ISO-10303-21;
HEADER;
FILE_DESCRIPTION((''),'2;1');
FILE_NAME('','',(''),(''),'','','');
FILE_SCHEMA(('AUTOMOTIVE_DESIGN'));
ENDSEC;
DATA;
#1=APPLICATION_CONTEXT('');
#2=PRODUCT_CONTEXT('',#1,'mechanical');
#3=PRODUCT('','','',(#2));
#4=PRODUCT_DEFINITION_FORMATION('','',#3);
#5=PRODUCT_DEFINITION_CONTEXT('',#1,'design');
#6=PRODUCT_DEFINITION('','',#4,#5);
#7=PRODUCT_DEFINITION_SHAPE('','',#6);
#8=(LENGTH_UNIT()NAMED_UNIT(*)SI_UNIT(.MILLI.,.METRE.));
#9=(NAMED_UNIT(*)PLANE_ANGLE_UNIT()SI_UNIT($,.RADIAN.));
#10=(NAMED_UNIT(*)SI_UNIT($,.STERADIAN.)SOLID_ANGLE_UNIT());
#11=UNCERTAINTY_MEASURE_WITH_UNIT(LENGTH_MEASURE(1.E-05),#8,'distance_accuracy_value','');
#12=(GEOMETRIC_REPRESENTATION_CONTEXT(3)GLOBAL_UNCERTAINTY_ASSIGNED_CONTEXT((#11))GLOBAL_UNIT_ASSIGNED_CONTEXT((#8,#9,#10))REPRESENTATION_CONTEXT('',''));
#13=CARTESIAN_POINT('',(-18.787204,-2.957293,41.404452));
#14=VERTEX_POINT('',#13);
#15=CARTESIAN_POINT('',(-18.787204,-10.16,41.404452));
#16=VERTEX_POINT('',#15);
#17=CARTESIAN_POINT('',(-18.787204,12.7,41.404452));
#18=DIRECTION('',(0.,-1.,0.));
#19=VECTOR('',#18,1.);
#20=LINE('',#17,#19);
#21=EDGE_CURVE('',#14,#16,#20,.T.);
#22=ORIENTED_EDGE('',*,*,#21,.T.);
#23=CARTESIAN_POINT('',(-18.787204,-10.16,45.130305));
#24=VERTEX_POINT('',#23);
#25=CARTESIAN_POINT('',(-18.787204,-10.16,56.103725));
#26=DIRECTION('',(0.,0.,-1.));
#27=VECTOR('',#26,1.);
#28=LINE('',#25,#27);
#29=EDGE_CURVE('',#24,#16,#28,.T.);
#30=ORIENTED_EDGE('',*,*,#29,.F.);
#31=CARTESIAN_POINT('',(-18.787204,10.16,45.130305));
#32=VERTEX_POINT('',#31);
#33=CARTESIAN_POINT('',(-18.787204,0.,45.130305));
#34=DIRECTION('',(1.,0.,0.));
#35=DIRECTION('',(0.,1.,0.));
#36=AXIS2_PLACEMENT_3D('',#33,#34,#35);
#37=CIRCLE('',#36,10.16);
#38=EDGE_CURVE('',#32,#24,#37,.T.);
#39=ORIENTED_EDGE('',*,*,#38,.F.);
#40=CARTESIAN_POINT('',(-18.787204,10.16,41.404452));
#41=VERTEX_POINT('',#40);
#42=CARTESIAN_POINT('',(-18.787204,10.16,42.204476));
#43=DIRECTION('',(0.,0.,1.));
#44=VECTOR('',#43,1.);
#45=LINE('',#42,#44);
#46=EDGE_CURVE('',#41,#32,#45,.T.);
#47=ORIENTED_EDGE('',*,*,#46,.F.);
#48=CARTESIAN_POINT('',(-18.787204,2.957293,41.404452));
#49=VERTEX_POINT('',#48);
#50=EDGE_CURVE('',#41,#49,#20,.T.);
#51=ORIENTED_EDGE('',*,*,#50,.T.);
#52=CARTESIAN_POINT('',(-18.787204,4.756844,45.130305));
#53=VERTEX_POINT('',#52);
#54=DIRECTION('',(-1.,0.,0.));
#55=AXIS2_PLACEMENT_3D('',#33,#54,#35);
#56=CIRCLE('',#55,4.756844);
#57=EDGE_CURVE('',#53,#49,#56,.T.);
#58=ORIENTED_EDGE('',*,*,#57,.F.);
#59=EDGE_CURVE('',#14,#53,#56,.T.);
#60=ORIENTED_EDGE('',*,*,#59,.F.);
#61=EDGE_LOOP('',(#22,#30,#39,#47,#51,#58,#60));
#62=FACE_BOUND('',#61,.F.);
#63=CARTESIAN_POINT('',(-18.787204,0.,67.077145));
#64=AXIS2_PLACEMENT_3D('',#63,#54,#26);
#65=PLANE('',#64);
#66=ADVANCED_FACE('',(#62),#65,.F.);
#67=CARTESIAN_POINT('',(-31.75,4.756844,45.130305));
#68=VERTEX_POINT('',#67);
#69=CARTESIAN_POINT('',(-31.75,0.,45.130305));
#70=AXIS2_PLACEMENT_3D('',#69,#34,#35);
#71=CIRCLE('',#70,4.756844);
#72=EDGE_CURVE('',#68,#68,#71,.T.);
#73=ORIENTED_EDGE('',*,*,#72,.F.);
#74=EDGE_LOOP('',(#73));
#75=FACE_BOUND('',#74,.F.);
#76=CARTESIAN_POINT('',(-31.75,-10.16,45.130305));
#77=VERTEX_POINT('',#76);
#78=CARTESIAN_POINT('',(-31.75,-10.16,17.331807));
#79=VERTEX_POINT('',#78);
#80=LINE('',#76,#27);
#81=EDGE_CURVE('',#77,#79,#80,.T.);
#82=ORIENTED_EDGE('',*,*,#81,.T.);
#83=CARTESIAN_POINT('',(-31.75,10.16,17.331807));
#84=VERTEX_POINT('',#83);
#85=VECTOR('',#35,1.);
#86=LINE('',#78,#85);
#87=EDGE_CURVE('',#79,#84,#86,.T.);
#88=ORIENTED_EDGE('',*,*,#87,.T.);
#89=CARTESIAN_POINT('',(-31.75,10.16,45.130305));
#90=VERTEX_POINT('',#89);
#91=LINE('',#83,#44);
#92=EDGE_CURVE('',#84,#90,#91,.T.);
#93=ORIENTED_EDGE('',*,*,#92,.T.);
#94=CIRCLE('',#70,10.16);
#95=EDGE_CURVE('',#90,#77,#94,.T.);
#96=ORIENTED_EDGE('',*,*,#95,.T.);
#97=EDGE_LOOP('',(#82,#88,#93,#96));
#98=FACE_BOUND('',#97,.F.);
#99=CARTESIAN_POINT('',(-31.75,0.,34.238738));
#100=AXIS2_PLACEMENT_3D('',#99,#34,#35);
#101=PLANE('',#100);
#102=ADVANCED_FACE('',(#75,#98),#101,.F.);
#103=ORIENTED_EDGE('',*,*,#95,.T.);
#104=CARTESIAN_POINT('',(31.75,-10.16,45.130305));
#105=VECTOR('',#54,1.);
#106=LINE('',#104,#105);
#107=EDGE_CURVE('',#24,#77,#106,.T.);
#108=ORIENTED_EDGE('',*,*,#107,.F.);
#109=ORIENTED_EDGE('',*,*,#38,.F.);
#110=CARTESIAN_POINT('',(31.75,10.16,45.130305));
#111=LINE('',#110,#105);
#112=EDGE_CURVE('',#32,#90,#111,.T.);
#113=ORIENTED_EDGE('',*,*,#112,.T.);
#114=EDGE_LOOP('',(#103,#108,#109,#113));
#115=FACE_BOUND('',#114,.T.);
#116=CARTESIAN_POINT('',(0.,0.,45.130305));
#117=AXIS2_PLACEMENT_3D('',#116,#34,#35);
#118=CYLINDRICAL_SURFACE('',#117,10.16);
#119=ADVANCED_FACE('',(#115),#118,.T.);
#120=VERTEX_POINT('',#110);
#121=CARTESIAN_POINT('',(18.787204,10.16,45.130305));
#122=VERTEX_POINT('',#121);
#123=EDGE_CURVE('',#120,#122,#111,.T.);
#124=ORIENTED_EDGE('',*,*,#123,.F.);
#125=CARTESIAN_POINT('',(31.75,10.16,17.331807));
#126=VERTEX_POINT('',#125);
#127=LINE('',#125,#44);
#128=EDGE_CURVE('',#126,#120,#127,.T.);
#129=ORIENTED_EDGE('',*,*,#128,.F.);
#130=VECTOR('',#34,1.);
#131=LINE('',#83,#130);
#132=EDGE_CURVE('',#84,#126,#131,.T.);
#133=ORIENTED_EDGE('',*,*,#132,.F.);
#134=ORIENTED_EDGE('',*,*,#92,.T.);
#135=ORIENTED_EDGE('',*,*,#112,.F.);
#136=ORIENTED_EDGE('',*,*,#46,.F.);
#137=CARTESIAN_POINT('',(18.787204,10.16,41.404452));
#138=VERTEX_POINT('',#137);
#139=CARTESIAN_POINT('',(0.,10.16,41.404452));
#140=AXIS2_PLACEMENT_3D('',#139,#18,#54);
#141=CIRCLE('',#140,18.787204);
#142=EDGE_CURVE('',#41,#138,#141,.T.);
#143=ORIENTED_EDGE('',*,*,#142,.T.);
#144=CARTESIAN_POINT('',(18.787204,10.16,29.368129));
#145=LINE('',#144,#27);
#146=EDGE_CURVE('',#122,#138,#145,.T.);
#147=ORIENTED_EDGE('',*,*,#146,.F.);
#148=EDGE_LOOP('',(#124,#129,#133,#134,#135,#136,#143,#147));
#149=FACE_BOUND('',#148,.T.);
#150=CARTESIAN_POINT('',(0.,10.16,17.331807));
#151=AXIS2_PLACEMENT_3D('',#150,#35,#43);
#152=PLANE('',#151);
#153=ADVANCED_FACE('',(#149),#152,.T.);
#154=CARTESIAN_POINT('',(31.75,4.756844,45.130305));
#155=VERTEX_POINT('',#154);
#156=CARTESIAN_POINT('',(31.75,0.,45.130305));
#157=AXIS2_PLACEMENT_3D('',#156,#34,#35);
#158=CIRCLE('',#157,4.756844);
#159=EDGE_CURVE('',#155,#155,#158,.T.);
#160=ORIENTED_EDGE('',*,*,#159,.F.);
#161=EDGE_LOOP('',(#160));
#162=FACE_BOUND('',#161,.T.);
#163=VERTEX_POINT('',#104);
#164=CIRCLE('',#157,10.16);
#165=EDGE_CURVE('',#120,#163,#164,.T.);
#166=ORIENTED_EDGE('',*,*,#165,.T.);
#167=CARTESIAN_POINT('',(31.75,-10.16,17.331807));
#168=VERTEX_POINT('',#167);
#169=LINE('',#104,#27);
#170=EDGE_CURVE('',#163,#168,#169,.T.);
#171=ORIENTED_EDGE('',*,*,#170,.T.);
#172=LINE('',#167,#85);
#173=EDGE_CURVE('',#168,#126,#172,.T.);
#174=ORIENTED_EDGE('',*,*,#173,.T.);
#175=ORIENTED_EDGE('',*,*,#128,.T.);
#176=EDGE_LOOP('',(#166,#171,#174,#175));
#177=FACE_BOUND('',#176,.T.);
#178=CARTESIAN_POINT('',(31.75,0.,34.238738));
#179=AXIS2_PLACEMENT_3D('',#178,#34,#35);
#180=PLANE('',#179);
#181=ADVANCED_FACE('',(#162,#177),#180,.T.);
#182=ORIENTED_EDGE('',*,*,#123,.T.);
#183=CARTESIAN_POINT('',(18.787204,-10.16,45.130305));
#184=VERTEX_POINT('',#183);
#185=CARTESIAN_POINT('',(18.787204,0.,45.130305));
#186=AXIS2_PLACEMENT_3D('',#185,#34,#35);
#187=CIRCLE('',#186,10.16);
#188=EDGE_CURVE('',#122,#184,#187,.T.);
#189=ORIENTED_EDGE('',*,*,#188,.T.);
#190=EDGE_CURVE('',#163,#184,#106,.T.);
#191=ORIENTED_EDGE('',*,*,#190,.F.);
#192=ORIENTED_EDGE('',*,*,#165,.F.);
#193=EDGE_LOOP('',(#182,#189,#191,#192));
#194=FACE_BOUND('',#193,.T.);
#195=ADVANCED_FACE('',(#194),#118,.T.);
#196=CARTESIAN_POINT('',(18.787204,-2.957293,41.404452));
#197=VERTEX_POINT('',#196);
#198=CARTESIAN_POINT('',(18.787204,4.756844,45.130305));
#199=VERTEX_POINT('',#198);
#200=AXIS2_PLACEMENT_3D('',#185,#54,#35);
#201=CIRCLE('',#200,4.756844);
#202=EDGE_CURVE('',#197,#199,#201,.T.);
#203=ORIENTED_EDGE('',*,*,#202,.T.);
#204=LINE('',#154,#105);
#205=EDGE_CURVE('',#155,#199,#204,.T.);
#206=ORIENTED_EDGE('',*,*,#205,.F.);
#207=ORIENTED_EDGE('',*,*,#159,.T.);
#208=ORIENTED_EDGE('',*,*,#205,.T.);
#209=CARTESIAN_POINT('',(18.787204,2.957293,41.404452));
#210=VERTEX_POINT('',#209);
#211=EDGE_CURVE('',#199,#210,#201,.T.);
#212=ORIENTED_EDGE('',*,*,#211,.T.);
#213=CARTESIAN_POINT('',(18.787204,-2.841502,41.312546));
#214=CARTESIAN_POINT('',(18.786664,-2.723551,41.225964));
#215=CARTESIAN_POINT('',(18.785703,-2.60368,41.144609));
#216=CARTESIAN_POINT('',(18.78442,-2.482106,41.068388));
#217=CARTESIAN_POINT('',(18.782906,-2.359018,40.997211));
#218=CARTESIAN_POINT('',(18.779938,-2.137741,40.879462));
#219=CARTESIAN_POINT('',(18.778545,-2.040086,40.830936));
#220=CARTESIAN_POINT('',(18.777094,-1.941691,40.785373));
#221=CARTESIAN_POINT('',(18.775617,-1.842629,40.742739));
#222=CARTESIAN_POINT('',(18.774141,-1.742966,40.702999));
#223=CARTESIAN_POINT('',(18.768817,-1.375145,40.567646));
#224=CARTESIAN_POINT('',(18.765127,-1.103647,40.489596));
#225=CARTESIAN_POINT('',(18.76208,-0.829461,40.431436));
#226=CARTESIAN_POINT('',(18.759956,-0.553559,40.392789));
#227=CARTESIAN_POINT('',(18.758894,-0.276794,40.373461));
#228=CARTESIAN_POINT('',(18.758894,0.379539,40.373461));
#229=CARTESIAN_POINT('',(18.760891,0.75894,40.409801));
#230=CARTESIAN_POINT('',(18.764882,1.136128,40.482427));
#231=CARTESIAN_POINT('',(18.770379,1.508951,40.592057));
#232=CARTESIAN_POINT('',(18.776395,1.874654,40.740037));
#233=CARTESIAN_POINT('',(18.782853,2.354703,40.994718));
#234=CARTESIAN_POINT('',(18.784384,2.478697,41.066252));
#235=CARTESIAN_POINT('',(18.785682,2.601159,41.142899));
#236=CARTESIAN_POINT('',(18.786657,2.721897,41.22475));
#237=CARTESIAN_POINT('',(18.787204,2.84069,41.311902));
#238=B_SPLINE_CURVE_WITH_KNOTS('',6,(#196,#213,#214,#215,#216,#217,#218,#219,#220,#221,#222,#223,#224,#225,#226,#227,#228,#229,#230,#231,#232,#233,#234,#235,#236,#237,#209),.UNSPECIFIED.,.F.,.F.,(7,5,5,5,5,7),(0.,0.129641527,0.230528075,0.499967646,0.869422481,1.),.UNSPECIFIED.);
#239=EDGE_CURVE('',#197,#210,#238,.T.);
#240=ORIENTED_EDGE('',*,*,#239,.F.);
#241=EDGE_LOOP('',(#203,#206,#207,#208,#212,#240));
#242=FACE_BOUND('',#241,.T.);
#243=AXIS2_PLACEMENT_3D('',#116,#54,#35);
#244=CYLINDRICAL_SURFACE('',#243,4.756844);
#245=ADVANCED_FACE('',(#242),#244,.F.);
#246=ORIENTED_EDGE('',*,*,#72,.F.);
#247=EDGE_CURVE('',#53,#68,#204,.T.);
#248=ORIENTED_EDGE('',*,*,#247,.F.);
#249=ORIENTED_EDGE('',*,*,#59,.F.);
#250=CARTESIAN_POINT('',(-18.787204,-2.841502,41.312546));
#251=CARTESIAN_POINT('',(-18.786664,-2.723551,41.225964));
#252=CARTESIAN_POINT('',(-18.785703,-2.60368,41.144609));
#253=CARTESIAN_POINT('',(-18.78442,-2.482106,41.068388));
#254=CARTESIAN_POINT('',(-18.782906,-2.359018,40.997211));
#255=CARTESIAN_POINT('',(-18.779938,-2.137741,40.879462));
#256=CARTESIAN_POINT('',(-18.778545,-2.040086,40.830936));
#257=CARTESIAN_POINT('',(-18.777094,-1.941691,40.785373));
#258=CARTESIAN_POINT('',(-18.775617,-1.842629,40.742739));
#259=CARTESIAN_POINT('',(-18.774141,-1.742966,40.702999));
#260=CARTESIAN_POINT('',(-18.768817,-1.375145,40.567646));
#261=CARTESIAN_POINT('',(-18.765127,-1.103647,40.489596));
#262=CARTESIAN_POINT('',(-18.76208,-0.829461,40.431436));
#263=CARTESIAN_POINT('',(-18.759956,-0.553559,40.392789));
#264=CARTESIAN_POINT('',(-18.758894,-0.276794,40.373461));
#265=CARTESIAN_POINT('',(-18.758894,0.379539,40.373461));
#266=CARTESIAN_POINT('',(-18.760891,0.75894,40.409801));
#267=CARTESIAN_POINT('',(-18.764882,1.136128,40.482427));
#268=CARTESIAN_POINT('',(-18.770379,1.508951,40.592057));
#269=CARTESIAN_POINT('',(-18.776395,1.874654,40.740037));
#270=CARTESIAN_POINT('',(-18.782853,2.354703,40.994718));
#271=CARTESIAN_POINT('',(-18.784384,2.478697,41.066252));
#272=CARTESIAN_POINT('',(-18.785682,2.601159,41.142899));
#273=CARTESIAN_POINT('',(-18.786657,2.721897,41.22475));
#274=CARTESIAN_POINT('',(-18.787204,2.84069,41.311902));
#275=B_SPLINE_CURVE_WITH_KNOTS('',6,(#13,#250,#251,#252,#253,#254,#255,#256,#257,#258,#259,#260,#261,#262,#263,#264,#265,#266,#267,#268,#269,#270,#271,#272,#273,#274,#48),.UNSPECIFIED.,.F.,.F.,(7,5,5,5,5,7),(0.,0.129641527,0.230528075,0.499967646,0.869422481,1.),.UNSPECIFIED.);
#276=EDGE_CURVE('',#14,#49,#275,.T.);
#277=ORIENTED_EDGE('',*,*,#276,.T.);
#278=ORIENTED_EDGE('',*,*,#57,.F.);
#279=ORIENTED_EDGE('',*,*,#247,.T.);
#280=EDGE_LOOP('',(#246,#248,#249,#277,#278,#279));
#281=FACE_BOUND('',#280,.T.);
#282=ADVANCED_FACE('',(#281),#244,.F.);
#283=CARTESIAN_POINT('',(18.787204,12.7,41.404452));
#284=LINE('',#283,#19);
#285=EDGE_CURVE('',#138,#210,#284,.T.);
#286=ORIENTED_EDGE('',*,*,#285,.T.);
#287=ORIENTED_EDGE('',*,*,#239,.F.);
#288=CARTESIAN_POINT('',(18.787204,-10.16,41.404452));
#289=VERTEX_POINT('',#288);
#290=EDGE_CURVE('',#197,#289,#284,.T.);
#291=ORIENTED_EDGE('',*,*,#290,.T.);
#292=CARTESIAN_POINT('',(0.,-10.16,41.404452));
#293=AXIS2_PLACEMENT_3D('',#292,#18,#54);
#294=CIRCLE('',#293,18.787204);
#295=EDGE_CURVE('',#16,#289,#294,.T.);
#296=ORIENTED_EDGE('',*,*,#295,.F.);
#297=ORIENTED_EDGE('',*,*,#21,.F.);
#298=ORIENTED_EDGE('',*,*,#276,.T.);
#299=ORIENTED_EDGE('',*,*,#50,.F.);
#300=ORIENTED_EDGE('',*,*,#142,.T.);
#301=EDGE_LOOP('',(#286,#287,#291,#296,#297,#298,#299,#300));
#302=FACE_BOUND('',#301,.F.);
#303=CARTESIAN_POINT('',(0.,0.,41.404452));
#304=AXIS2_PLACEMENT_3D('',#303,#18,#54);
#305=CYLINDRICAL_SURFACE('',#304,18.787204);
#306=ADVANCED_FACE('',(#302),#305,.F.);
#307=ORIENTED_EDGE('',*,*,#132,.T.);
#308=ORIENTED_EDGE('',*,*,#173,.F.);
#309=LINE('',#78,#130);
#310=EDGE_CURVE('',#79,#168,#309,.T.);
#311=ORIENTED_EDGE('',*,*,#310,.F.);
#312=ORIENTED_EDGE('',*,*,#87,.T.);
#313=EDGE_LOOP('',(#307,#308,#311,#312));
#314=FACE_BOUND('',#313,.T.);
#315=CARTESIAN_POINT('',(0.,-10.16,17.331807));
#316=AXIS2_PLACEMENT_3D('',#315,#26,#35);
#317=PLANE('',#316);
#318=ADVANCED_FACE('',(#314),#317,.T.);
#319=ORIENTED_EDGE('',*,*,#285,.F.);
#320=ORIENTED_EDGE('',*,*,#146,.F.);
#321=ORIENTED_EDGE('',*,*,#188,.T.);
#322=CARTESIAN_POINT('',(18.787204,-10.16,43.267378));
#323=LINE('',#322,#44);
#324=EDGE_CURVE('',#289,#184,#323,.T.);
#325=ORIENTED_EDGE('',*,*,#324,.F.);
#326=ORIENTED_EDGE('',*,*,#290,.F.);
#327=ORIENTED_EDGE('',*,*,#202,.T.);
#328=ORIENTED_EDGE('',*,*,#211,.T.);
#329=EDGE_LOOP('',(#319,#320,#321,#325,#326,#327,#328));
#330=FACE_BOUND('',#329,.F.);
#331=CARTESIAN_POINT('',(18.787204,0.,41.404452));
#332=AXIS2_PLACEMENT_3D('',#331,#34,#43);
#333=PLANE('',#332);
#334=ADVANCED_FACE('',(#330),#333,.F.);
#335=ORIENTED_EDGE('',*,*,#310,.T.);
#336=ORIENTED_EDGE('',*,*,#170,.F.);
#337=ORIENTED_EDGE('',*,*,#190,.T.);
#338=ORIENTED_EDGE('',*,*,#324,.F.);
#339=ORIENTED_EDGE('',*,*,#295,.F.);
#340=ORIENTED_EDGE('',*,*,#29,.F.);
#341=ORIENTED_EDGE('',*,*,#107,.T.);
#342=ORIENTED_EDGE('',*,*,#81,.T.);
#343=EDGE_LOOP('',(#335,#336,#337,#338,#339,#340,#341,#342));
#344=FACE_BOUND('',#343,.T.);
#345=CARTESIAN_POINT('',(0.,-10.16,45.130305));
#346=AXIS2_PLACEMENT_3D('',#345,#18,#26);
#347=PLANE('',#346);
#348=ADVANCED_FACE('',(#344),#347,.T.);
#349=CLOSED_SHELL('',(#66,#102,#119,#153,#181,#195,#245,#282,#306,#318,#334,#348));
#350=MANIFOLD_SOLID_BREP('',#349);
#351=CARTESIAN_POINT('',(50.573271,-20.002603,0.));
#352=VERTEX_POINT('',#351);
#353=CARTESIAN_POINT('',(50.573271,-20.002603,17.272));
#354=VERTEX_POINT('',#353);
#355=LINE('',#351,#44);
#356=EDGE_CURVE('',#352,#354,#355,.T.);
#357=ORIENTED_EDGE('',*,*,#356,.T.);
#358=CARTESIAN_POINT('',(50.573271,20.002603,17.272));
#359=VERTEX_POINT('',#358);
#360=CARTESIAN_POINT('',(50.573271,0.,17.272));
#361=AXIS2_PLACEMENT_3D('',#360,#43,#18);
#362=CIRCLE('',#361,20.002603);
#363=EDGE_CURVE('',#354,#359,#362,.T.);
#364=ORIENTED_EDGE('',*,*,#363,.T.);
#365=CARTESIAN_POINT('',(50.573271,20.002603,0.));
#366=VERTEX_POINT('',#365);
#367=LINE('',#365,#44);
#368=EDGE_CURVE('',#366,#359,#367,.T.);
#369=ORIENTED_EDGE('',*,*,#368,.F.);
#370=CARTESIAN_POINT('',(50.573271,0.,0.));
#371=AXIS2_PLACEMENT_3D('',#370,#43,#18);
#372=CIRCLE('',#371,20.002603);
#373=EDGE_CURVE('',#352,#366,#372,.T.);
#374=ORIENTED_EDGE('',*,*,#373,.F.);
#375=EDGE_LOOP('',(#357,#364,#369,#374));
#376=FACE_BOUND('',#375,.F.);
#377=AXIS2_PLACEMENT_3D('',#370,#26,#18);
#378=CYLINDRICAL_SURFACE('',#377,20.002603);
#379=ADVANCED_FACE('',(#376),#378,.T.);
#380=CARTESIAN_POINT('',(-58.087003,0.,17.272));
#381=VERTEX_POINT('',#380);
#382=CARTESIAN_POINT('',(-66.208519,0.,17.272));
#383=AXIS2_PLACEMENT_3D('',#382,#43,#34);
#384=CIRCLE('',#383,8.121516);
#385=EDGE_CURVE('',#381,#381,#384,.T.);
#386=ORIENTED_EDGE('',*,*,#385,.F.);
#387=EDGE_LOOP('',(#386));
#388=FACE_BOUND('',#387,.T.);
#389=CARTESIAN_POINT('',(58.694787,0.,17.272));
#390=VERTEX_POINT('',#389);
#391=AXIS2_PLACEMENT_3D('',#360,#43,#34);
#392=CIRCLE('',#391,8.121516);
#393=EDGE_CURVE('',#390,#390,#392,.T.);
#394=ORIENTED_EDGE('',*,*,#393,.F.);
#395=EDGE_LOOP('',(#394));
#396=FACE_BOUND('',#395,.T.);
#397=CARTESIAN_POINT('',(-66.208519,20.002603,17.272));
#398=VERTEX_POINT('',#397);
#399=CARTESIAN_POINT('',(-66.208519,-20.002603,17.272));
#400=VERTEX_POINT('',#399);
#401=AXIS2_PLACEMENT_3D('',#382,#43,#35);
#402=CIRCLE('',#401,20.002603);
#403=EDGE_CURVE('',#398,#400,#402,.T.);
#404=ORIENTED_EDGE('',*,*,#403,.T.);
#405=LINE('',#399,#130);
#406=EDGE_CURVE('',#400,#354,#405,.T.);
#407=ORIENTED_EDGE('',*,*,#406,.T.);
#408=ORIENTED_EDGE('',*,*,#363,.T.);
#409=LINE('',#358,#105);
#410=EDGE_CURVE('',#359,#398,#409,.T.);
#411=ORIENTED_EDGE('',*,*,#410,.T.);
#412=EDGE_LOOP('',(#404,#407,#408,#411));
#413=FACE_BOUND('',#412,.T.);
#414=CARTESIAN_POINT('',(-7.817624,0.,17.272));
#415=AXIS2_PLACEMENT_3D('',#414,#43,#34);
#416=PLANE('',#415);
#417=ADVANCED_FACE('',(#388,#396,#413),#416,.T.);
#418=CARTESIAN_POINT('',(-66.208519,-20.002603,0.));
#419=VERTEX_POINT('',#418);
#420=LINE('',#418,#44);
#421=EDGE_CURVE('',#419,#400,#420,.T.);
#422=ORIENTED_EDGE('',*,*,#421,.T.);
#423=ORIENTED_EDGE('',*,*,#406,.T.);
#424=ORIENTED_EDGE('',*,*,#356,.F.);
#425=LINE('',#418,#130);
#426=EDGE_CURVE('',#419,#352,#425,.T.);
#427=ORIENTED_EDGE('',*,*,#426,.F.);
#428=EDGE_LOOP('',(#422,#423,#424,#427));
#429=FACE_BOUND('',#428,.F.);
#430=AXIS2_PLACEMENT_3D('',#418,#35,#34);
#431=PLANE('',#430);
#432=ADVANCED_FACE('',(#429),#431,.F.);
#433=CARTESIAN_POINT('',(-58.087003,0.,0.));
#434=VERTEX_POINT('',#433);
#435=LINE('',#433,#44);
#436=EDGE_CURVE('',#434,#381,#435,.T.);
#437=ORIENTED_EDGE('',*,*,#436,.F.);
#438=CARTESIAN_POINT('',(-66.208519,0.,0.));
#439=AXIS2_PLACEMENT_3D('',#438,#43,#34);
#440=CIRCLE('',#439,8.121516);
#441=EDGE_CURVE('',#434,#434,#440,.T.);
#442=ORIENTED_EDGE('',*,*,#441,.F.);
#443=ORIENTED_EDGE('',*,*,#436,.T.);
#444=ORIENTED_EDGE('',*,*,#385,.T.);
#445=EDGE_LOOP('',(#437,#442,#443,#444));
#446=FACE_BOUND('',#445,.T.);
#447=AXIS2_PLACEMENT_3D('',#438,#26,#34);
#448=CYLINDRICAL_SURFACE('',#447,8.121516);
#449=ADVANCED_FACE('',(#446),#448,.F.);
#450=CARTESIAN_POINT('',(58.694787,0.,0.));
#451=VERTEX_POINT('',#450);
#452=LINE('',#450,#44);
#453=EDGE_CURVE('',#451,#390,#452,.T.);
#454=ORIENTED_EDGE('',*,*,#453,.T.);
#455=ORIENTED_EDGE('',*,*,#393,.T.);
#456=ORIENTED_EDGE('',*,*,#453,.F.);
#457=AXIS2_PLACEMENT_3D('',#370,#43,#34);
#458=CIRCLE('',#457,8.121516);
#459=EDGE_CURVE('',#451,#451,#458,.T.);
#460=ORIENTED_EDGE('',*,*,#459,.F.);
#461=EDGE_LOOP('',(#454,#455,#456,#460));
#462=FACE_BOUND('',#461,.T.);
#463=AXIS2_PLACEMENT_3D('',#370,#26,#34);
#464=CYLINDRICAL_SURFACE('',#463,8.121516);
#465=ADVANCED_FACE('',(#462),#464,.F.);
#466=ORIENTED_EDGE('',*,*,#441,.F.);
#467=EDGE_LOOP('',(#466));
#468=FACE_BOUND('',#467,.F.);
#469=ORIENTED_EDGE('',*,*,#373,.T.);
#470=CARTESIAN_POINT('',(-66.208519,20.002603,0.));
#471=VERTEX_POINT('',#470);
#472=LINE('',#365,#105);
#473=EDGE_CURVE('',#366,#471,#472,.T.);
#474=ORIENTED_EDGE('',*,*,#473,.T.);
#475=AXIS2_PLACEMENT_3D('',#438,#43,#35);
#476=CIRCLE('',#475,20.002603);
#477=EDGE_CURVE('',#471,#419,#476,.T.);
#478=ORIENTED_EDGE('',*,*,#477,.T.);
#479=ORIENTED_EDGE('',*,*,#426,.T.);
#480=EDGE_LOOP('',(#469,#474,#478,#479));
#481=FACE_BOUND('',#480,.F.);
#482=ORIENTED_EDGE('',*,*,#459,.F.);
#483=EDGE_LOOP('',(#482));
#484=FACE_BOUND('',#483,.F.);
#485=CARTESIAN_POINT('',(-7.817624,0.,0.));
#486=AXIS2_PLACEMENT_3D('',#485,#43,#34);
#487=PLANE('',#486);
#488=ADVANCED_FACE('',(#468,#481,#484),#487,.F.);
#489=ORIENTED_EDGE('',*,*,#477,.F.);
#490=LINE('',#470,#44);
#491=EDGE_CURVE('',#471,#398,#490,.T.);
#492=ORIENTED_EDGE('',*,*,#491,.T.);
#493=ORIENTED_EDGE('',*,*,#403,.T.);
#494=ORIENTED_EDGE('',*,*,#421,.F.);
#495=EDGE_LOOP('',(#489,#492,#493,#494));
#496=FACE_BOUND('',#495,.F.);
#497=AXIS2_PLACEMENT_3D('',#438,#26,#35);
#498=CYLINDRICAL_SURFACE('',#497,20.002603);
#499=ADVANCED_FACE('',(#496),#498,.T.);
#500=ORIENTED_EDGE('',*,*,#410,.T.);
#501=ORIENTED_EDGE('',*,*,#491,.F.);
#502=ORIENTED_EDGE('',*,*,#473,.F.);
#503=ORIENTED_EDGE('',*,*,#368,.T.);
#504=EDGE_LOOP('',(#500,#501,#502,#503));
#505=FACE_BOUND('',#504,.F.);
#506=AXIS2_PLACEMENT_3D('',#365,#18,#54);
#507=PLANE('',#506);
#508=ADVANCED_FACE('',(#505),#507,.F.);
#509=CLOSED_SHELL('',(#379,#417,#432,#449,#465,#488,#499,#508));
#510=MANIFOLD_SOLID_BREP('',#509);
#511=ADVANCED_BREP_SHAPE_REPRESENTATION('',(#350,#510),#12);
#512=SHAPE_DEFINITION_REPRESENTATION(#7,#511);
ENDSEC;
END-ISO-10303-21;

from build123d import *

# Parameters (mm, degrees)
F0_R     = 8.121516
F1_DEPTH = 17.272
F2_R     = 4.756844
F3_DEPTH = 31.75
F5_DEPTH = 12.7


with BuildPart() as f1:
    # F0 (on Top) → F1 (new body)
    with BuildSketch(Plane.XY):
        with BuildLine():
            Line((50.573271, 20.002603), (-66.208519, 20.002603))
            ThreePointArc((-66.208519, 20.002603), (-86.211122, 0), (-66.208519, -20.002603))
            Line((-66.208519, -20.002603), (50.573271, -20.002603))
            ThreePointArc((50.573271, -20.002603), (70.575874, 0), (50.573271, 20.002603))
        make_face()
        with Locations((-66.208519, 0)):
            Circle(F0_R, mode=Mode.SUBTRACT)
        with Locations((50.573271, 0)):
            Circle(F0_R, mode=Mode.SUBTRACT)
    extrude(amount=F1_DEPTH)


with BuildPart() as f3:
    # F2 (on Right) → F3 (new body, symmetric)
    with BuildSketch(Plane.YZ):
        with BuildLine():
            Line((-10.16, 45.130305), (-10.16, 17.331807))
            Line((-10.16, 17.331807), (10.16, 17.331807))
            Line((10.16, 17.331807), (10.16, 45.130305))
            ThreePointArc((10.16, 45.130305), (0, 55.290305), (-10.16, 45.130305))
        make_face()
        with Locations((0, 45.130305)):
            Circle(F2_R, mode=Mode.SUBTRACT)
    extrude(amount=F3_DEPTH, both=True)

    # F4 (on Front) → F5 (cut, symmetric)
    with BuildSketch(Plane.XZ):
        with BuildLine():
            Line((-18.787204, 67.077145), (-18.787204, 41.404452))
            ThreePointArc((-18.787204, 41.404452), (0, 22.617248), (18.787204, 41.404452))
            Line((18.787204, 41.404452), (18.787204, 67.270167))
            Line((18.787204, 67.270167), (-18.787204, 67.077145))
        make_face()
    extrude(amount=F5_DEPTH, both=True, mode=Mode.SUBTRACT)


solid = Compound([f1.part, f3.part])
